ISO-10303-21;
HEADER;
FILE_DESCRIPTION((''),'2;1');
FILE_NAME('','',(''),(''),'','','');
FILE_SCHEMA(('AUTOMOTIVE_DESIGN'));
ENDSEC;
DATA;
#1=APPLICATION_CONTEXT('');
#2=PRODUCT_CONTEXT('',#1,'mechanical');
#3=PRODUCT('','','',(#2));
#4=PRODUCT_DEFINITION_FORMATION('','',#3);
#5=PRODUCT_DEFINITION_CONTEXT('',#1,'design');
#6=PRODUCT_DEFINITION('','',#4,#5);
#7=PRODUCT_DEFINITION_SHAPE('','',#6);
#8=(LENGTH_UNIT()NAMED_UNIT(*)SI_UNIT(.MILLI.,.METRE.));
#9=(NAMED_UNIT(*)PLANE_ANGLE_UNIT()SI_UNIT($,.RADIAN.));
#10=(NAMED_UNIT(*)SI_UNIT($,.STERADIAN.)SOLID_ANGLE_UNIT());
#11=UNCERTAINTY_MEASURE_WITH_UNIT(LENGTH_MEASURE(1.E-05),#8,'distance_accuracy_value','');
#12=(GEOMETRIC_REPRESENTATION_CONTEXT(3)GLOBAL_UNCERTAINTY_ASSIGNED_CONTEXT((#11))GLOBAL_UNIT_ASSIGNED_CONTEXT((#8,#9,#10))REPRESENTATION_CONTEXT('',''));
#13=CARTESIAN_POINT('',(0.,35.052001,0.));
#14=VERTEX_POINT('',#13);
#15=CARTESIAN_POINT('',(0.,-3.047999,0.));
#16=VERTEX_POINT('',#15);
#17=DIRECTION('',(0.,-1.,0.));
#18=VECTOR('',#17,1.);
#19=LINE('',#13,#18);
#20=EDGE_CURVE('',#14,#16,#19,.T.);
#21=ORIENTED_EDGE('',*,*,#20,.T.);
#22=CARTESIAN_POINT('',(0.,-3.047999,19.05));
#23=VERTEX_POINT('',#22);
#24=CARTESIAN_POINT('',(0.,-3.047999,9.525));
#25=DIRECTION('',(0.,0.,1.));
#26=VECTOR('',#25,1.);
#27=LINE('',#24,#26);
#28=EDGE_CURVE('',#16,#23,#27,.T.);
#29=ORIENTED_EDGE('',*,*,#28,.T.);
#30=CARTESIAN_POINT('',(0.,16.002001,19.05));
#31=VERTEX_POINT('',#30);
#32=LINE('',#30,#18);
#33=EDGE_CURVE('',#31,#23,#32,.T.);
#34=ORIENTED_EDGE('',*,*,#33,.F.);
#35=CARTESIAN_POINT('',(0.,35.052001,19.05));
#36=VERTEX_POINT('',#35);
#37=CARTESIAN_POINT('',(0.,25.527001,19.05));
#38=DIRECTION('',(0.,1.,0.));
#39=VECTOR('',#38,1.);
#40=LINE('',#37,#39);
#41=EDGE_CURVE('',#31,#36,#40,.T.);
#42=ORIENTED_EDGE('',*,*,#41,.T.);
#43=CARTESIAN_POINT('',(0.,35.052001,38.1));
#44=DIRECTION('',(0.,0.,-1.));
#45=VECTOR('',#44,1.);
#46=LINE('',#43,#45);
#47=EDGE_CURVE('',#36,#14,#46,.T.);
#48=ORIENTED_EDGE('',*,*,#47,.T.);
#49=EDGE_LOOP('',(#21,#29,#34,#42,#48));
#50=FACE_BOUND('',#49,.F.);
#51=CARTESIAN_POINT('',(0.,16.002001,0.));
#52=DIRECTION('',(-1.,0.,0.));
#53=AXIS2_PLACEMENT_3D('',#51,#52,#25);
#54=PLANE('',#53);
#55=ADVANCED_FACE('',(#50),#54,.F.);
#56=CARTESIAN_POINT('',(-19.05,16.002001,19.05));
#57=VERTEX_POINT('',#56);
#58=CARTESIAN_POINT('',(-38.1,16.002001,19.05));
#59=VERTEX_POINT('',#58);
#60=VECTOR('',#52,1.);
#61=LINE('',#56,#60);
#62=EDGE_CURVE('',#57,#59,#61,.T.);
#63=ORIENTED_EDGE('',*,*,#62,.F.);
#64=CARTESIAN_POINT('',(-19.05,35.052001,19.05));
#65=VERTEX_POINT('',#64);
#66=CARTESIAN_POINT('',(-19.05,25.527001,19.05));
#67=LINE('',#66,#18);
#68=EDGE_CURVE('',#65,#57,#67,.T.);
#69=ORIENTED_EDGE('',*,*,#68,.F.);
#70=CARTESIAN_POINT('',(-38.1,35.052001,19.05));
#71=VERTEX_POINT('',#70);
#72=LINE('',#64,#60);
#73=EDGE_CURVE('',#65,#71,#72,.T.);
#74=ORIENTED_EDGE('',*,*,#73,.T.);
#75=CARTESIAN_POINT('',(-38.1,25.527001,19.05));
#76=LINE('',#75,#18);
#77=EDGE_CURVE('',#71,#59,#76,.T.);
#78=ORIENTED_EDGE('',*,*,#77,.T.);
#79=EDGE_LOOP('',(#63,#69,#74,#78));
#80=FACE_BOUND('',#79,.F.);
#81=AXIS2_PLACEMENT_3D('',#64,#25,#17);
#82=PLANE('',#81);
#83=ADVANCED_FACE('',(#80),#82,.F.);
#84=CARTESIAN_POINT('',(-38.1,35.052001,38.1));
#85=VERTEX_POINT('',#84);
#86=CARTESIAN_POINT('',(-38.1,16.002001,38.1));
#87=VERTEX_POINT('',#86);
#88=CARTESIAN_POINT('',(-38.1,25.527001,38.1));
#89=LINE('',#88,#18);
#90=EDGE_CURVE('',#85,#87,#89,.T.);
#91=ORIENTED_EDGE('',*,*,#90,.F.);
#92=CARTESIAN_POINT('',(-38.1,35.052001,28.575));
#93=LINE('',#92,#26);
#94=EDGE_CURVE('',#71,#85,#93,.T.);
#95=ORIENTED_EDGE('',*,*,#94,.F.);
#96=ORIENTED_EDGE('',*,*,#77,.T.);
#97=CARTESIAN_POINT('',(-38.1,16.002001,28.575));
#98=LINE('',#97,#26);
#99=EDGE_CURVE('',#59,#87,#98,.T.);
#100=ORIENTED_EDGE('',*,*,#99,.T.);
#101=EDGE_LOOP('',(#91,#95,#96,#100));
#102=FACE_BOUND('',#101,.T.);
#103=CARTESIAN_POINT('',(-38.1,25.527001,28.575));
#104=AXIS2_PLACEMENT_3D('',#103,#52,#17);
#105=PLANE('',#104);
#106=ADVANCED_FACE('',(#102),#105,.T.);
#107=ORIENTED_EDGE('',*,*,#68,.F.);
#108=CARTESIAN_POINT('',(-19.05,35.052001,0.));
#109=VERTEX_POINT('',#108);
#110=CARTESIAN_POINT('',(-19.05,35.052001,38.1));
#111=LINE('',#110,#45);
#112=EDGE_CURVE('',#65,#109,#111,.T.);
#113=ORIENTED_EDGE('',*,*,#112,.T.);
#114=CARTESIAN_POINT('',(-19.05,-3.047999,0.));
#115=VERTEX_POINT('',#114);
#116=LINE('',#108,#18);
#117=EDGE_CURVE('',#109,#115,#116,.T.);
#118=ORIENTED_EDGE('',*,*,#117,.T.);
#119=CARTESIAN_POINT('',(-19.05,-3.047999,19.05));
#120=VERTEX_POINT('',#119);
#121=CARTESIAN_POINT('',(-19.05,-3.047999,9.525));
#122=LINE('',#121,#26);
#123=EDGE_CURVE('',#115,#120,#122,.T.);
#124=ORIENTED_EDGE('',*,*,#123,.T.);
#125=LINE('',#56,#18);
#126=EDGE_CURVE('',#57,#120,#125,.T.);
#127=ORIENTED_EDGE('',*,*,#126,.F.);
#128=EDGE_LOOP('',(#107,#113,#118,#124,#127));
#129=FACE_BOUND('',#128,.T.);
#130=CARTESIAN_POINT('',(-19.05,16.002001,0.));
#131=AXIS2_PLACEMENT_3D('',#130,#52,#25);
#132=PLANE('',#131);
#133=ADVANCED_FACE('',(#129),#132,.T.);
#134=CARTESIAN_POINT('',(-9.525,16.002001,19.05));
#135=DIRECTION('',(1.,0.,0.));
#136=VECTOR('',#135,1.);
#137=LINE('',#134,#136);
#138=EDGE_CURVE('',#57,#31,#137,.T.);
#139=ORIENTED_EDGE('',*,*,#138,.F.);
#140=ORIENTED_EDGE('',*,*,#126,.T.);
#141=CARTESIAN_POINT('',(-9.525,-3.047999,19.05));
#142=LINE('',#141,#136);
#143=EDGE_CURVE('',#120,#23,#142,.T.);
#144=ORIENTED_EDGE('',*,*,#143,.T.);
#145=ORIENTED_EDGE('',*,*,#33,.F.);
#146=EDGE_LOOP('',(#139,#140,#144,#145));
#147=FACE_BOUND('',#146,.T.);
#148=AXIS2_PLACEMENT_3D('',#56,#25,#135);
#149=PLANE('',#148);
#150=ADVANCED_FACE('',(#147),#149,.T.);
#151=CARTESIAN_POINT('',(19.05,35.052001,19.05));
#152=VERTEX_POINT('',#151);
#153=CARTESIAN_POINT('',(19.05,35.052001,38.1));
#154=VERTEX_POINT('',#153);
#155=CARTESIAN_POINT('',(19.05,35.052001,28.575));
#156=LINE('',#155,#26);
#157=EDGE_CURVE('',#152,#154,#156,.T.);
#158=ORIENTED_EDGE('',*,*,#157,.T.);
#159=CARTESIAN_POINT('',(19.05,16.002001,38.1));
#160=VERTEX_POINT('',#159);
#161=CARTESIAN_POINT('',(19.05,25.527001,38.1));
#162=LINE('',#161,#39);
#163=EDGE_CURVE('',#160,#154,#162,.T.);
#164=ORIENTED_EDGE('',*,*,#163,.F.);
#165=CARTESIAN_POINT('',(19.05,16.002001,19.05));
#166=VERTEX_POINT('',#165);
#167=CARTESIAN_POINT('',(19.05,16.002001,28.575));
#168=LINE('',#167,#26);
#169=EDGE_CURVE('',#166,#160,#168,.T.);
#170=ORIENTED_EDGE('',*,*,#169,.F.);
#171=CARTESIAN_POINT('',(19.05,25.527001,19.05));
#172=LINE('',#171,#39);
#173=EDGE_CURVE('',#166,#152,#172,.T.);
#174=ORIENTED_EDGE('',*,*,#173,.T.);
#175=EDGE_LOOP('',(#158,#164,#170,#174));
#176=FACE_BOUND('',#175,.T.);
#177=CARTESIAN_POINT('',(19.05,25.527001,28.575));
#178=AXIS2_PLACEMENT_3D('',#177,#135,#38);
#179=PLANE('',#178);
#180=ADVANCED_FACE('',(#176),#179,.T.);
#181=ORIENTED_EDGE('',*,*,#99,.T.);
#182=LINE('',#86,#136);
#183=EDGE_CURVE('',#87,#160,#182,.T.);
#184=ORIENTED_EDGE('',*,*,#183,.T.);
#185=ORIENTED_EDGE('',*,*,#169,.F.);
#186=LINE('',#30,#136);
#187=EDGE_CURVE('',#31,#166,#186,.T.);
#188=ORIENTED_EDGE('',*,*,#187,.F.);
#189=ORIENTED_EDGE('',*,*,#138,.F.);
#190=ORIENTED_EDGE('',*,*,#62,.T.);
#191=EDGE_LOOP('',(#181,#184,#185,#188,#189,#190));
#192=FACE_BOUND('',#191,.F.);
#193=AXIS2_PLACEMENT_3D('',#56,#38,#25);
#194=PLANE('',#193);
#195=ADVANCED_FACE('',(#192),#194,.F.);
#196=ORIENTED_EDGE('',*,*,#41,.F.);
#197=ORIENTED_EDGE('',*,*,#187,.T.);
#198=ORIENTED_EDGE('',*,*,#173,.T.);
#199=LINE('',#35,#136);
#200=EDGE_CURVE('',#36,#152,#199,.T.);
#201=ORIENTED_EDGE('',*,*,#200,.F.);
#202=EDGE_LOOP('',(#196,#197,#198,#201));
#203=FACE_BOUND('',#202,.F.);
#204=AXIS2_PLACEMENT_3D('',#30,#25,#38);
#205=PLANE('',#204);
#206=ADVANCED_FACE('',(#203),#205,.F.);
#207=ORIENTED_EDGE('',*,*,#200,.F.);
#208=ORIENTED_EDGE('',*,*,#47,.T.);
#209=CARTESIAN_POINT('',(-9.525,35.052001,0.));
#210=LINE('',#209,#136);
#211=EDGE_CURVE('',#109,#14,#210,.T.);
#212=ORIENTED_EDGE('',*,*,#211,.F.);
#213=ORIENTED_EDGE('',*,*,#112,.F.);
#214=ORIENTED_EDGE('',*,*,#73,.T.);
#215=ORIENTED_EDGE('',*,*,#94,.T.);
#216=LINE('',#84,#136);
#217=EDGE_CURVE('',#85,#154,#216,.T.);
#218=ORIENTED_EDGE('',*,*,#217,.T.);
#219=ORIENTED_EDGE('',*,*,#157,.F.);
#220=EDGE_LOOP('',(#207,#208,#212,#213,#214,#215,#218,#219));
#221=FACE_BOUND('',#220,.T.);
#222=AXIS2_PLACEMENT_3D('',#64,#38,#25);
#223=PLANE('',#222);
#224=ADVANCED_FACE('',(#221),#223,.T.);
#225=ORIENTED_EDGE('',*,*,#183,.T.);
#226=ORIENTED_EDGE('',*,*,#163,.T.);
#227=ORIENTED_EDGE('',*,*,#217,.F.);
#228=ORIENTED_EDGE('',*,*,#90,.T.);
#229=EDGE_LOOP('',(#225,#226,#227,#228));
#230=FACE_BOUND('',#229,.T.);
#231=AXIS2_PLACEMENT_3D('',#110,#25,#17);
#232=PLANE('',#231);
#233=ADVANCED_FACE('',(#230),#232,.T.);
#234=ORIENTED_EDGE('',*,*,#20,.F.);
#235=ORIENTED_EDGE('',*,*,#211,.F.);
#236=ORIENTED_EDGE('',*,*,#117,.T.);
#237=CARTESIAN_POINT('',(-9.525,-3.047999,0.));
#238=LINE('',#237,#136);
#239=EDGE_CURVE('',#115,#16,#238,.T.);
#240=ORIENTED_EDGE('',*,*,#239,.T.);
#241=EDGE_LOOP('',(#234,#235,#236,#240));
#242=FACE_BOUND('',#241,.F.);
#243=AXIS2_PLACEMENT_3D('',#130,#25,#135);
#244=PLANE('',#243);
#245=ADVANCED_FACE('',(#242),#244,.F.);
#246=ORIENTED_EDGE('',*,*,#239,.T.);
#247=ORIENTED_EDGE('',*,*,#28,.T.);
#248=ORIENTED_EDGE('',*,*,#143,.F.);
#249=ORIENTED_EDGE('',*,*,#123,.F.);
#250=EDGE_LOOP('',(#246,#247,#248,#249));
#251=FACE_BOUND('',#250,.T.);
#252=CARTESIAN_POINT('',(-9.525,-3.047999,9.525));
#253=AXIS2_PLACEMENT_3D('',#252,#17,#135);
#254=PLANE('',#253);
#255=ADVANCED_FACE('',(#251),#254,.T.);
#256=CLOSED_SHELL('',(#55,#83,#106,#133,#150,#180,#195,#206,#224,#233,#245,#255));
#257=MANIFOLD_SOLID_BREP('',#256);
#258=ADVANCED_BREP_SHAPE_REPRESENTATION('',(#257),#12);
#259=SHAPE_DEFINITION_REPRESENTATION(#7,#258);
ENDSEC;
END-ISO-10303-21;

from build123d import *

# Parameters (mm, degrees)
F0_W      = 19.05
F0_H      = 19.05
F1_DEPTH  = 19.05
F1_FACE_W = 19.05
F1_FACE_H = 19.05
F2_DEPTH  = 19.05
F3_W      = 19.05
F3_H      = 19.05
F4_DEPTH  = 19.05
F5_W      = 19.05
F5_H      = 19.05
F6_DEPTH  = 19.05
F7_W      = 19.05
F7_H      = 19.05
F8_DEPTH  = 19.05


with BuildPart() as f1:
    # F0 (on Top) → F1 (new body)
    with BuildSketch(Plane.XY):
        with Locations((-9.525, 25.527001)):
            Rectangle(F0_W, F0_H)
    extrude(amount=F1_DEPTH)

    # F1_face (on face) → F2 (join)
    with BuildSketch(Plane(origin=(-9.525, 25.527001, 19.05), x_dir=(1, 0, 0), z_dir=(0, 0, 1))):
        Rectangle(F1_FACE_W, F1_FACE_H)
    extrude(amount=F2_DEPTH)

    # F3 (on face) → F4 (join)
    with BuildSketch(Plane.XZ.offset(-16.002001)):
        with Locations((-9.525, 9.525)):
            Rectangle(F3_W, F3_H)
    extrude(amount=F4_DEPTH)

    # F5 (on face) → F6 (join)
    with BuildSketch(Plane.YZ):
        with Locations((25.527001, 28.575)):
            Rectangle(F5_W, F5_H)
    extrude(amount=F6_DEPTH)

    # F7 (on face) → F8 (join)
    with BuildSketch(Plane(origin=(-19.05, 0, 0), x_dir=(0, -1, 0), z_dir=(-1, 0, 0))):
        with Locations((-25.527001, 28.575)):
            Rectangle(F7_W, F7_H)
    extrude(amount=F8_DEPTH)


solid = f1.part
